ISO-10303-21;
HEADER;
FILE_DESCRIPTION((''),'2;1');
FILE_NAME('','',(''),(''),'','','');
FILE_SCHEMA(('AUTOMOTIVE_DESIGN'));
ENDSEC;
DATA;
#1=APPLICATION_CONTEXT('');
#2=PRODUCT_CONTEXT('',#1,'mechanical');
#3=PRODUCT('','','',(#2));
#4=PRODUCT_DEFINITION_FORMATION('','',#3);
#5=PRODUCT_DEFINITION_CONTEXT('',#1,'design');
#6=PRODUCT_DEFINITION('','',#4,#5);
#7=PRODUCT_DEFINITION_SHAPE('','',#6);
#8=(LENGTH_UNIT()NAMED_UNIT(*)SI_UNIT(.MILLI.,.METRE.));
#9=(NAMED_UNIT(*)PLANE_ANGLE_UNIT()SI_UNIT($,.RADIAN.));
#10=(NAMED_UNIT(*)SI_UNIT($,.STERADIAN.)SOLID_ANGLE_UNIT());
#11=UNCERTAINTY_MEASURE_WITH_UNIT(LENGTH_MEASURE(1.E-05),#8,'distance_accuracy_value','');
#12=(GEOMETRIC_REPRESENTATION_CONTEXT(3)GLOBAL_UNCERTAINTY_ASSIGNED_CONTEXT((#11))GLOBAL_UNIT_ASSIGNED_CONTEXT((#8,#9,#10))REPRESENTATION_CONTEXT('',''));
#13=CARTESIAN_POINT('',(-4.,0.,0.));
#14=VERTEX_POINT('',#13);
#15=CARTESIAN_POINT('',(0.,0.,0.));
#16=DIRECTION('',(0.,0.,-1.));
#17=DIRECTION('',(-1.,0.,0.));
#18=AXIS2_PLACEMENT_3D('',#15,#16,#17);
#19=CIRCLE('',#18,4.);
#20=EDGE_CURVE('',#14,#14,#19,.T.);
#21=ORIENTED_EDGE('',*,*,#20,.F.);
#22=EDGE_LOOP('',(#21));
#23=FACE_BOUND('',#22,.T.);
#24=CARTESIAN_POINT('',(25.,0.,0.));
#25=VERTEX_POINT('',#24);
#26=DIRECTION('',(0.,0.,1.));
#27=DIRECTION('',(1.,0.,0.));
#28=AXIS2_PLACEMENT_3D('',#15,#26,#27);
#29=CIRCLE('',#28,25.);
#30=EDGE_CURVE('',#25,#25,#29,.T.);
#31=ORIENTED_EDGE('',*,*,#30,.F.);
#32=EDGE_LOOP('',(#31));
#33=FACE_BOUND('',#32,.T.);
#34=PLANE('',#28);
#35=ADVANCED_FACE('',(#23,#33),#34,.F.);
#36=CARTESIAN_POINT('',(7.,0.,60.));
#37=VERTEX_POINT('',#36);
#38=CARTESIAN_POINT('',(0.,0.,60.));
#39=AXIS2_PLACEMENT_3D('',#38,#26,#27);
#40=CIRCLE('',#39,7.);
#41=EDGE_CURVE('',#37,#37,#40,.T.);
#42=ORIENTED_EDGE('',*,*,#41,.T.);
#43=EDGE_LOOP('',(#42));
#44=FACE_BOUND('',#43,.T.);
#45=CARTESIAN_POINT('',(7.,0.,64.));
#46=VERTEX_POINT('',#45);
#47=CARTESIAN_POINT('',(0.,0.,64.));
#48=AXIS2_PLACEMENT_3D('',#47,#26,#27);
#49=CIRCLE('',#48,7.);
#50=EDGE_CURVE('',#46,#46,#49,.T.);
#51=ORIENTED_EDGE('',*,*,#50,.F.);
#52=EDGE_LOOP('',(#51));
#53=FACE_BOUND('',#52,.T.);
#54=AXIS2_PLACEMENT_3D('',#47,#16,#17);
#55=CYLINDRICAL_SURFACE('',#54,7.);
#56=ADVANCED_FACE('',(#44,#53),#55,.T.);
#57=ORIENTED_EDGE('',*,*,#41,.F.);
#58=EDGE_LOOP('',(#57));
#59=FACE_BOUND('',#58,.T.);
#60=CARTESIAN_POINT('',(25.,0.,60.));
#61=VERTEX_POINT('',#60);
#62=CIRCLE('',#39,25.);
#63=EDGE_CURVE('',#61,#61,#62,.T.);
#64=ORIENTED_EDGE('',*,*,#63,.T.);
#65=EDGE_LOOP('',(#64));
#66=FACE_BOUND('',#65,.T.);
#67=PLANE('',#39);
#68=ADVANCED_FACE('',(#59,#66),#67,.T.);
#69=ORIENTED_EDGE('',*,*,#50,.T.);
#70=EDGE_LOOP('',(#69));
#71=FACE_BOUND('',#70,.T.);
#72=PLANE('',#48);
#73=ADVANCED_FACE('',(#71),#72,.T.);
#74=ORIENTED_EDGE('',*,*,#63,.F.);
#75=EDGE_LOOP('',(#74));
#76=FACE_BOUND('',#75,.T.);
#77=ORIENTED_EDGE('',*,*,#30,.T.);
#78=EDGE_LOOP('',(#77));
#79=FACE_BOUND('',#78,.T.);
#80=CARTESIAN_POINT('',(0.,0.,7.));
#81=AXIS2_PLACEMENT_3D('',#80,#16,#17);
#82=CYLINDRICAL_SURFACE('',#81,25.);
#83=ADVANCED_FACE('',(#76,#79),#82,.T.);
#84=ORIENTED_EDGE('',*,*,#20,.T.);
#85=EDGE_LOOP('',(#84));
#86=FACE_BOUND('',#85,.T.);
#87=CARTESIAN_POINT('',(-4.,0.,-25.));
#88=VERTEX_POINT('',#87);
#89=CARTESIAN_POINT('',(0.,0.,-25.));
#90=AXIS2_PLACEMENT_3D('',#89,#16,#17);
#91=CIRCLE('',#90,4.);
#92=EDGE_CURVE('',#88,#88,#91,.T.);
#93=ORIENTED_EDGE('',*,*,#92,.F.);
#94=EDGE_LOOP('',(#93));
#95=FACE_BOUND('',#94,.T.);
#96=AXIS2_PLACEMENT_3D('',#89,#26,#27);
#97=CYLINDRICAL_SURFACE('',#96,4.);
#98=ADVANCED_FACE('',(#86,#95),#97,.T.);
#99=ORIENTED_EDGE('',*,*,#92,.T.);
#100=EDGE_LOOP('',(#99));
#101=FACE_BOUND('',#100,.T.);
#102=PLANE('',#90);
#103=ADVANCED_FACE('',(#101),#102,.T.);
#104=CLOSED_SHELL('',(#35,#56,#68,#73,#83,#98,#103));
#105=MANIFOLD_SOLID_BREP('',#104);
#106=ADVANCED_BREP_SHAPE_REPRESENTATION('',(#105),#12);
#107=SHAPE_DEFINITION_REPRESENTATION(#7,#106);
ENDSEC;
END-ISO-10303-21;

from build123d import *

# Parameters (mm, degrees)
SKETCH1_R           = 25
BOSS_EXTRUDE1_DEPTH = 7
SKETCH2_R           = 4
BOSS_EXTRUDE3_DEPTH = 25
SKETCH3_R           = 25
BOSS_EXTRUDE4_DEPTH = 53
SKETCH4_R           = 7
BOSS_EXTRUDE5_DEPTH = 4


with BuildPart() as part:
    # Sketch1 → Boss-Extrude1 (new body)
    with BuildSketch(Plane.XY):
        Circle(SKETCH1_R)
    extrude(amount=BOSS_EXTRUDE1_DEPTH)

    # Sketch2 → Boss-Extrude3 (add)
    with BuildSketch(Plane(origin=(0, 0, 0), x_dir=(-1, 0, 0), z_dir=(0, 0, -1))):
        Circle(SKETCH2_R)
    extrude(amount=BOSS_EXTRUDE3_DEPTH)

    # Sketch3 → Boss-Extrude4 (add)
    with BuildSketch(Plane.XY.offset(7)):
        Circle(SKETCH3_R)
    extrude(amount=BOSS_EXTRUDE4_DEPTH)

    # Sketch4 → Boss-Extrude5 (add)
    with BuildSketch(Plane.XY.offset(60)):
        Circle(SKETCH4_R)
    extrude(amount=BOSS_EXTRUDE5_DEPTH)


solid = part.part
